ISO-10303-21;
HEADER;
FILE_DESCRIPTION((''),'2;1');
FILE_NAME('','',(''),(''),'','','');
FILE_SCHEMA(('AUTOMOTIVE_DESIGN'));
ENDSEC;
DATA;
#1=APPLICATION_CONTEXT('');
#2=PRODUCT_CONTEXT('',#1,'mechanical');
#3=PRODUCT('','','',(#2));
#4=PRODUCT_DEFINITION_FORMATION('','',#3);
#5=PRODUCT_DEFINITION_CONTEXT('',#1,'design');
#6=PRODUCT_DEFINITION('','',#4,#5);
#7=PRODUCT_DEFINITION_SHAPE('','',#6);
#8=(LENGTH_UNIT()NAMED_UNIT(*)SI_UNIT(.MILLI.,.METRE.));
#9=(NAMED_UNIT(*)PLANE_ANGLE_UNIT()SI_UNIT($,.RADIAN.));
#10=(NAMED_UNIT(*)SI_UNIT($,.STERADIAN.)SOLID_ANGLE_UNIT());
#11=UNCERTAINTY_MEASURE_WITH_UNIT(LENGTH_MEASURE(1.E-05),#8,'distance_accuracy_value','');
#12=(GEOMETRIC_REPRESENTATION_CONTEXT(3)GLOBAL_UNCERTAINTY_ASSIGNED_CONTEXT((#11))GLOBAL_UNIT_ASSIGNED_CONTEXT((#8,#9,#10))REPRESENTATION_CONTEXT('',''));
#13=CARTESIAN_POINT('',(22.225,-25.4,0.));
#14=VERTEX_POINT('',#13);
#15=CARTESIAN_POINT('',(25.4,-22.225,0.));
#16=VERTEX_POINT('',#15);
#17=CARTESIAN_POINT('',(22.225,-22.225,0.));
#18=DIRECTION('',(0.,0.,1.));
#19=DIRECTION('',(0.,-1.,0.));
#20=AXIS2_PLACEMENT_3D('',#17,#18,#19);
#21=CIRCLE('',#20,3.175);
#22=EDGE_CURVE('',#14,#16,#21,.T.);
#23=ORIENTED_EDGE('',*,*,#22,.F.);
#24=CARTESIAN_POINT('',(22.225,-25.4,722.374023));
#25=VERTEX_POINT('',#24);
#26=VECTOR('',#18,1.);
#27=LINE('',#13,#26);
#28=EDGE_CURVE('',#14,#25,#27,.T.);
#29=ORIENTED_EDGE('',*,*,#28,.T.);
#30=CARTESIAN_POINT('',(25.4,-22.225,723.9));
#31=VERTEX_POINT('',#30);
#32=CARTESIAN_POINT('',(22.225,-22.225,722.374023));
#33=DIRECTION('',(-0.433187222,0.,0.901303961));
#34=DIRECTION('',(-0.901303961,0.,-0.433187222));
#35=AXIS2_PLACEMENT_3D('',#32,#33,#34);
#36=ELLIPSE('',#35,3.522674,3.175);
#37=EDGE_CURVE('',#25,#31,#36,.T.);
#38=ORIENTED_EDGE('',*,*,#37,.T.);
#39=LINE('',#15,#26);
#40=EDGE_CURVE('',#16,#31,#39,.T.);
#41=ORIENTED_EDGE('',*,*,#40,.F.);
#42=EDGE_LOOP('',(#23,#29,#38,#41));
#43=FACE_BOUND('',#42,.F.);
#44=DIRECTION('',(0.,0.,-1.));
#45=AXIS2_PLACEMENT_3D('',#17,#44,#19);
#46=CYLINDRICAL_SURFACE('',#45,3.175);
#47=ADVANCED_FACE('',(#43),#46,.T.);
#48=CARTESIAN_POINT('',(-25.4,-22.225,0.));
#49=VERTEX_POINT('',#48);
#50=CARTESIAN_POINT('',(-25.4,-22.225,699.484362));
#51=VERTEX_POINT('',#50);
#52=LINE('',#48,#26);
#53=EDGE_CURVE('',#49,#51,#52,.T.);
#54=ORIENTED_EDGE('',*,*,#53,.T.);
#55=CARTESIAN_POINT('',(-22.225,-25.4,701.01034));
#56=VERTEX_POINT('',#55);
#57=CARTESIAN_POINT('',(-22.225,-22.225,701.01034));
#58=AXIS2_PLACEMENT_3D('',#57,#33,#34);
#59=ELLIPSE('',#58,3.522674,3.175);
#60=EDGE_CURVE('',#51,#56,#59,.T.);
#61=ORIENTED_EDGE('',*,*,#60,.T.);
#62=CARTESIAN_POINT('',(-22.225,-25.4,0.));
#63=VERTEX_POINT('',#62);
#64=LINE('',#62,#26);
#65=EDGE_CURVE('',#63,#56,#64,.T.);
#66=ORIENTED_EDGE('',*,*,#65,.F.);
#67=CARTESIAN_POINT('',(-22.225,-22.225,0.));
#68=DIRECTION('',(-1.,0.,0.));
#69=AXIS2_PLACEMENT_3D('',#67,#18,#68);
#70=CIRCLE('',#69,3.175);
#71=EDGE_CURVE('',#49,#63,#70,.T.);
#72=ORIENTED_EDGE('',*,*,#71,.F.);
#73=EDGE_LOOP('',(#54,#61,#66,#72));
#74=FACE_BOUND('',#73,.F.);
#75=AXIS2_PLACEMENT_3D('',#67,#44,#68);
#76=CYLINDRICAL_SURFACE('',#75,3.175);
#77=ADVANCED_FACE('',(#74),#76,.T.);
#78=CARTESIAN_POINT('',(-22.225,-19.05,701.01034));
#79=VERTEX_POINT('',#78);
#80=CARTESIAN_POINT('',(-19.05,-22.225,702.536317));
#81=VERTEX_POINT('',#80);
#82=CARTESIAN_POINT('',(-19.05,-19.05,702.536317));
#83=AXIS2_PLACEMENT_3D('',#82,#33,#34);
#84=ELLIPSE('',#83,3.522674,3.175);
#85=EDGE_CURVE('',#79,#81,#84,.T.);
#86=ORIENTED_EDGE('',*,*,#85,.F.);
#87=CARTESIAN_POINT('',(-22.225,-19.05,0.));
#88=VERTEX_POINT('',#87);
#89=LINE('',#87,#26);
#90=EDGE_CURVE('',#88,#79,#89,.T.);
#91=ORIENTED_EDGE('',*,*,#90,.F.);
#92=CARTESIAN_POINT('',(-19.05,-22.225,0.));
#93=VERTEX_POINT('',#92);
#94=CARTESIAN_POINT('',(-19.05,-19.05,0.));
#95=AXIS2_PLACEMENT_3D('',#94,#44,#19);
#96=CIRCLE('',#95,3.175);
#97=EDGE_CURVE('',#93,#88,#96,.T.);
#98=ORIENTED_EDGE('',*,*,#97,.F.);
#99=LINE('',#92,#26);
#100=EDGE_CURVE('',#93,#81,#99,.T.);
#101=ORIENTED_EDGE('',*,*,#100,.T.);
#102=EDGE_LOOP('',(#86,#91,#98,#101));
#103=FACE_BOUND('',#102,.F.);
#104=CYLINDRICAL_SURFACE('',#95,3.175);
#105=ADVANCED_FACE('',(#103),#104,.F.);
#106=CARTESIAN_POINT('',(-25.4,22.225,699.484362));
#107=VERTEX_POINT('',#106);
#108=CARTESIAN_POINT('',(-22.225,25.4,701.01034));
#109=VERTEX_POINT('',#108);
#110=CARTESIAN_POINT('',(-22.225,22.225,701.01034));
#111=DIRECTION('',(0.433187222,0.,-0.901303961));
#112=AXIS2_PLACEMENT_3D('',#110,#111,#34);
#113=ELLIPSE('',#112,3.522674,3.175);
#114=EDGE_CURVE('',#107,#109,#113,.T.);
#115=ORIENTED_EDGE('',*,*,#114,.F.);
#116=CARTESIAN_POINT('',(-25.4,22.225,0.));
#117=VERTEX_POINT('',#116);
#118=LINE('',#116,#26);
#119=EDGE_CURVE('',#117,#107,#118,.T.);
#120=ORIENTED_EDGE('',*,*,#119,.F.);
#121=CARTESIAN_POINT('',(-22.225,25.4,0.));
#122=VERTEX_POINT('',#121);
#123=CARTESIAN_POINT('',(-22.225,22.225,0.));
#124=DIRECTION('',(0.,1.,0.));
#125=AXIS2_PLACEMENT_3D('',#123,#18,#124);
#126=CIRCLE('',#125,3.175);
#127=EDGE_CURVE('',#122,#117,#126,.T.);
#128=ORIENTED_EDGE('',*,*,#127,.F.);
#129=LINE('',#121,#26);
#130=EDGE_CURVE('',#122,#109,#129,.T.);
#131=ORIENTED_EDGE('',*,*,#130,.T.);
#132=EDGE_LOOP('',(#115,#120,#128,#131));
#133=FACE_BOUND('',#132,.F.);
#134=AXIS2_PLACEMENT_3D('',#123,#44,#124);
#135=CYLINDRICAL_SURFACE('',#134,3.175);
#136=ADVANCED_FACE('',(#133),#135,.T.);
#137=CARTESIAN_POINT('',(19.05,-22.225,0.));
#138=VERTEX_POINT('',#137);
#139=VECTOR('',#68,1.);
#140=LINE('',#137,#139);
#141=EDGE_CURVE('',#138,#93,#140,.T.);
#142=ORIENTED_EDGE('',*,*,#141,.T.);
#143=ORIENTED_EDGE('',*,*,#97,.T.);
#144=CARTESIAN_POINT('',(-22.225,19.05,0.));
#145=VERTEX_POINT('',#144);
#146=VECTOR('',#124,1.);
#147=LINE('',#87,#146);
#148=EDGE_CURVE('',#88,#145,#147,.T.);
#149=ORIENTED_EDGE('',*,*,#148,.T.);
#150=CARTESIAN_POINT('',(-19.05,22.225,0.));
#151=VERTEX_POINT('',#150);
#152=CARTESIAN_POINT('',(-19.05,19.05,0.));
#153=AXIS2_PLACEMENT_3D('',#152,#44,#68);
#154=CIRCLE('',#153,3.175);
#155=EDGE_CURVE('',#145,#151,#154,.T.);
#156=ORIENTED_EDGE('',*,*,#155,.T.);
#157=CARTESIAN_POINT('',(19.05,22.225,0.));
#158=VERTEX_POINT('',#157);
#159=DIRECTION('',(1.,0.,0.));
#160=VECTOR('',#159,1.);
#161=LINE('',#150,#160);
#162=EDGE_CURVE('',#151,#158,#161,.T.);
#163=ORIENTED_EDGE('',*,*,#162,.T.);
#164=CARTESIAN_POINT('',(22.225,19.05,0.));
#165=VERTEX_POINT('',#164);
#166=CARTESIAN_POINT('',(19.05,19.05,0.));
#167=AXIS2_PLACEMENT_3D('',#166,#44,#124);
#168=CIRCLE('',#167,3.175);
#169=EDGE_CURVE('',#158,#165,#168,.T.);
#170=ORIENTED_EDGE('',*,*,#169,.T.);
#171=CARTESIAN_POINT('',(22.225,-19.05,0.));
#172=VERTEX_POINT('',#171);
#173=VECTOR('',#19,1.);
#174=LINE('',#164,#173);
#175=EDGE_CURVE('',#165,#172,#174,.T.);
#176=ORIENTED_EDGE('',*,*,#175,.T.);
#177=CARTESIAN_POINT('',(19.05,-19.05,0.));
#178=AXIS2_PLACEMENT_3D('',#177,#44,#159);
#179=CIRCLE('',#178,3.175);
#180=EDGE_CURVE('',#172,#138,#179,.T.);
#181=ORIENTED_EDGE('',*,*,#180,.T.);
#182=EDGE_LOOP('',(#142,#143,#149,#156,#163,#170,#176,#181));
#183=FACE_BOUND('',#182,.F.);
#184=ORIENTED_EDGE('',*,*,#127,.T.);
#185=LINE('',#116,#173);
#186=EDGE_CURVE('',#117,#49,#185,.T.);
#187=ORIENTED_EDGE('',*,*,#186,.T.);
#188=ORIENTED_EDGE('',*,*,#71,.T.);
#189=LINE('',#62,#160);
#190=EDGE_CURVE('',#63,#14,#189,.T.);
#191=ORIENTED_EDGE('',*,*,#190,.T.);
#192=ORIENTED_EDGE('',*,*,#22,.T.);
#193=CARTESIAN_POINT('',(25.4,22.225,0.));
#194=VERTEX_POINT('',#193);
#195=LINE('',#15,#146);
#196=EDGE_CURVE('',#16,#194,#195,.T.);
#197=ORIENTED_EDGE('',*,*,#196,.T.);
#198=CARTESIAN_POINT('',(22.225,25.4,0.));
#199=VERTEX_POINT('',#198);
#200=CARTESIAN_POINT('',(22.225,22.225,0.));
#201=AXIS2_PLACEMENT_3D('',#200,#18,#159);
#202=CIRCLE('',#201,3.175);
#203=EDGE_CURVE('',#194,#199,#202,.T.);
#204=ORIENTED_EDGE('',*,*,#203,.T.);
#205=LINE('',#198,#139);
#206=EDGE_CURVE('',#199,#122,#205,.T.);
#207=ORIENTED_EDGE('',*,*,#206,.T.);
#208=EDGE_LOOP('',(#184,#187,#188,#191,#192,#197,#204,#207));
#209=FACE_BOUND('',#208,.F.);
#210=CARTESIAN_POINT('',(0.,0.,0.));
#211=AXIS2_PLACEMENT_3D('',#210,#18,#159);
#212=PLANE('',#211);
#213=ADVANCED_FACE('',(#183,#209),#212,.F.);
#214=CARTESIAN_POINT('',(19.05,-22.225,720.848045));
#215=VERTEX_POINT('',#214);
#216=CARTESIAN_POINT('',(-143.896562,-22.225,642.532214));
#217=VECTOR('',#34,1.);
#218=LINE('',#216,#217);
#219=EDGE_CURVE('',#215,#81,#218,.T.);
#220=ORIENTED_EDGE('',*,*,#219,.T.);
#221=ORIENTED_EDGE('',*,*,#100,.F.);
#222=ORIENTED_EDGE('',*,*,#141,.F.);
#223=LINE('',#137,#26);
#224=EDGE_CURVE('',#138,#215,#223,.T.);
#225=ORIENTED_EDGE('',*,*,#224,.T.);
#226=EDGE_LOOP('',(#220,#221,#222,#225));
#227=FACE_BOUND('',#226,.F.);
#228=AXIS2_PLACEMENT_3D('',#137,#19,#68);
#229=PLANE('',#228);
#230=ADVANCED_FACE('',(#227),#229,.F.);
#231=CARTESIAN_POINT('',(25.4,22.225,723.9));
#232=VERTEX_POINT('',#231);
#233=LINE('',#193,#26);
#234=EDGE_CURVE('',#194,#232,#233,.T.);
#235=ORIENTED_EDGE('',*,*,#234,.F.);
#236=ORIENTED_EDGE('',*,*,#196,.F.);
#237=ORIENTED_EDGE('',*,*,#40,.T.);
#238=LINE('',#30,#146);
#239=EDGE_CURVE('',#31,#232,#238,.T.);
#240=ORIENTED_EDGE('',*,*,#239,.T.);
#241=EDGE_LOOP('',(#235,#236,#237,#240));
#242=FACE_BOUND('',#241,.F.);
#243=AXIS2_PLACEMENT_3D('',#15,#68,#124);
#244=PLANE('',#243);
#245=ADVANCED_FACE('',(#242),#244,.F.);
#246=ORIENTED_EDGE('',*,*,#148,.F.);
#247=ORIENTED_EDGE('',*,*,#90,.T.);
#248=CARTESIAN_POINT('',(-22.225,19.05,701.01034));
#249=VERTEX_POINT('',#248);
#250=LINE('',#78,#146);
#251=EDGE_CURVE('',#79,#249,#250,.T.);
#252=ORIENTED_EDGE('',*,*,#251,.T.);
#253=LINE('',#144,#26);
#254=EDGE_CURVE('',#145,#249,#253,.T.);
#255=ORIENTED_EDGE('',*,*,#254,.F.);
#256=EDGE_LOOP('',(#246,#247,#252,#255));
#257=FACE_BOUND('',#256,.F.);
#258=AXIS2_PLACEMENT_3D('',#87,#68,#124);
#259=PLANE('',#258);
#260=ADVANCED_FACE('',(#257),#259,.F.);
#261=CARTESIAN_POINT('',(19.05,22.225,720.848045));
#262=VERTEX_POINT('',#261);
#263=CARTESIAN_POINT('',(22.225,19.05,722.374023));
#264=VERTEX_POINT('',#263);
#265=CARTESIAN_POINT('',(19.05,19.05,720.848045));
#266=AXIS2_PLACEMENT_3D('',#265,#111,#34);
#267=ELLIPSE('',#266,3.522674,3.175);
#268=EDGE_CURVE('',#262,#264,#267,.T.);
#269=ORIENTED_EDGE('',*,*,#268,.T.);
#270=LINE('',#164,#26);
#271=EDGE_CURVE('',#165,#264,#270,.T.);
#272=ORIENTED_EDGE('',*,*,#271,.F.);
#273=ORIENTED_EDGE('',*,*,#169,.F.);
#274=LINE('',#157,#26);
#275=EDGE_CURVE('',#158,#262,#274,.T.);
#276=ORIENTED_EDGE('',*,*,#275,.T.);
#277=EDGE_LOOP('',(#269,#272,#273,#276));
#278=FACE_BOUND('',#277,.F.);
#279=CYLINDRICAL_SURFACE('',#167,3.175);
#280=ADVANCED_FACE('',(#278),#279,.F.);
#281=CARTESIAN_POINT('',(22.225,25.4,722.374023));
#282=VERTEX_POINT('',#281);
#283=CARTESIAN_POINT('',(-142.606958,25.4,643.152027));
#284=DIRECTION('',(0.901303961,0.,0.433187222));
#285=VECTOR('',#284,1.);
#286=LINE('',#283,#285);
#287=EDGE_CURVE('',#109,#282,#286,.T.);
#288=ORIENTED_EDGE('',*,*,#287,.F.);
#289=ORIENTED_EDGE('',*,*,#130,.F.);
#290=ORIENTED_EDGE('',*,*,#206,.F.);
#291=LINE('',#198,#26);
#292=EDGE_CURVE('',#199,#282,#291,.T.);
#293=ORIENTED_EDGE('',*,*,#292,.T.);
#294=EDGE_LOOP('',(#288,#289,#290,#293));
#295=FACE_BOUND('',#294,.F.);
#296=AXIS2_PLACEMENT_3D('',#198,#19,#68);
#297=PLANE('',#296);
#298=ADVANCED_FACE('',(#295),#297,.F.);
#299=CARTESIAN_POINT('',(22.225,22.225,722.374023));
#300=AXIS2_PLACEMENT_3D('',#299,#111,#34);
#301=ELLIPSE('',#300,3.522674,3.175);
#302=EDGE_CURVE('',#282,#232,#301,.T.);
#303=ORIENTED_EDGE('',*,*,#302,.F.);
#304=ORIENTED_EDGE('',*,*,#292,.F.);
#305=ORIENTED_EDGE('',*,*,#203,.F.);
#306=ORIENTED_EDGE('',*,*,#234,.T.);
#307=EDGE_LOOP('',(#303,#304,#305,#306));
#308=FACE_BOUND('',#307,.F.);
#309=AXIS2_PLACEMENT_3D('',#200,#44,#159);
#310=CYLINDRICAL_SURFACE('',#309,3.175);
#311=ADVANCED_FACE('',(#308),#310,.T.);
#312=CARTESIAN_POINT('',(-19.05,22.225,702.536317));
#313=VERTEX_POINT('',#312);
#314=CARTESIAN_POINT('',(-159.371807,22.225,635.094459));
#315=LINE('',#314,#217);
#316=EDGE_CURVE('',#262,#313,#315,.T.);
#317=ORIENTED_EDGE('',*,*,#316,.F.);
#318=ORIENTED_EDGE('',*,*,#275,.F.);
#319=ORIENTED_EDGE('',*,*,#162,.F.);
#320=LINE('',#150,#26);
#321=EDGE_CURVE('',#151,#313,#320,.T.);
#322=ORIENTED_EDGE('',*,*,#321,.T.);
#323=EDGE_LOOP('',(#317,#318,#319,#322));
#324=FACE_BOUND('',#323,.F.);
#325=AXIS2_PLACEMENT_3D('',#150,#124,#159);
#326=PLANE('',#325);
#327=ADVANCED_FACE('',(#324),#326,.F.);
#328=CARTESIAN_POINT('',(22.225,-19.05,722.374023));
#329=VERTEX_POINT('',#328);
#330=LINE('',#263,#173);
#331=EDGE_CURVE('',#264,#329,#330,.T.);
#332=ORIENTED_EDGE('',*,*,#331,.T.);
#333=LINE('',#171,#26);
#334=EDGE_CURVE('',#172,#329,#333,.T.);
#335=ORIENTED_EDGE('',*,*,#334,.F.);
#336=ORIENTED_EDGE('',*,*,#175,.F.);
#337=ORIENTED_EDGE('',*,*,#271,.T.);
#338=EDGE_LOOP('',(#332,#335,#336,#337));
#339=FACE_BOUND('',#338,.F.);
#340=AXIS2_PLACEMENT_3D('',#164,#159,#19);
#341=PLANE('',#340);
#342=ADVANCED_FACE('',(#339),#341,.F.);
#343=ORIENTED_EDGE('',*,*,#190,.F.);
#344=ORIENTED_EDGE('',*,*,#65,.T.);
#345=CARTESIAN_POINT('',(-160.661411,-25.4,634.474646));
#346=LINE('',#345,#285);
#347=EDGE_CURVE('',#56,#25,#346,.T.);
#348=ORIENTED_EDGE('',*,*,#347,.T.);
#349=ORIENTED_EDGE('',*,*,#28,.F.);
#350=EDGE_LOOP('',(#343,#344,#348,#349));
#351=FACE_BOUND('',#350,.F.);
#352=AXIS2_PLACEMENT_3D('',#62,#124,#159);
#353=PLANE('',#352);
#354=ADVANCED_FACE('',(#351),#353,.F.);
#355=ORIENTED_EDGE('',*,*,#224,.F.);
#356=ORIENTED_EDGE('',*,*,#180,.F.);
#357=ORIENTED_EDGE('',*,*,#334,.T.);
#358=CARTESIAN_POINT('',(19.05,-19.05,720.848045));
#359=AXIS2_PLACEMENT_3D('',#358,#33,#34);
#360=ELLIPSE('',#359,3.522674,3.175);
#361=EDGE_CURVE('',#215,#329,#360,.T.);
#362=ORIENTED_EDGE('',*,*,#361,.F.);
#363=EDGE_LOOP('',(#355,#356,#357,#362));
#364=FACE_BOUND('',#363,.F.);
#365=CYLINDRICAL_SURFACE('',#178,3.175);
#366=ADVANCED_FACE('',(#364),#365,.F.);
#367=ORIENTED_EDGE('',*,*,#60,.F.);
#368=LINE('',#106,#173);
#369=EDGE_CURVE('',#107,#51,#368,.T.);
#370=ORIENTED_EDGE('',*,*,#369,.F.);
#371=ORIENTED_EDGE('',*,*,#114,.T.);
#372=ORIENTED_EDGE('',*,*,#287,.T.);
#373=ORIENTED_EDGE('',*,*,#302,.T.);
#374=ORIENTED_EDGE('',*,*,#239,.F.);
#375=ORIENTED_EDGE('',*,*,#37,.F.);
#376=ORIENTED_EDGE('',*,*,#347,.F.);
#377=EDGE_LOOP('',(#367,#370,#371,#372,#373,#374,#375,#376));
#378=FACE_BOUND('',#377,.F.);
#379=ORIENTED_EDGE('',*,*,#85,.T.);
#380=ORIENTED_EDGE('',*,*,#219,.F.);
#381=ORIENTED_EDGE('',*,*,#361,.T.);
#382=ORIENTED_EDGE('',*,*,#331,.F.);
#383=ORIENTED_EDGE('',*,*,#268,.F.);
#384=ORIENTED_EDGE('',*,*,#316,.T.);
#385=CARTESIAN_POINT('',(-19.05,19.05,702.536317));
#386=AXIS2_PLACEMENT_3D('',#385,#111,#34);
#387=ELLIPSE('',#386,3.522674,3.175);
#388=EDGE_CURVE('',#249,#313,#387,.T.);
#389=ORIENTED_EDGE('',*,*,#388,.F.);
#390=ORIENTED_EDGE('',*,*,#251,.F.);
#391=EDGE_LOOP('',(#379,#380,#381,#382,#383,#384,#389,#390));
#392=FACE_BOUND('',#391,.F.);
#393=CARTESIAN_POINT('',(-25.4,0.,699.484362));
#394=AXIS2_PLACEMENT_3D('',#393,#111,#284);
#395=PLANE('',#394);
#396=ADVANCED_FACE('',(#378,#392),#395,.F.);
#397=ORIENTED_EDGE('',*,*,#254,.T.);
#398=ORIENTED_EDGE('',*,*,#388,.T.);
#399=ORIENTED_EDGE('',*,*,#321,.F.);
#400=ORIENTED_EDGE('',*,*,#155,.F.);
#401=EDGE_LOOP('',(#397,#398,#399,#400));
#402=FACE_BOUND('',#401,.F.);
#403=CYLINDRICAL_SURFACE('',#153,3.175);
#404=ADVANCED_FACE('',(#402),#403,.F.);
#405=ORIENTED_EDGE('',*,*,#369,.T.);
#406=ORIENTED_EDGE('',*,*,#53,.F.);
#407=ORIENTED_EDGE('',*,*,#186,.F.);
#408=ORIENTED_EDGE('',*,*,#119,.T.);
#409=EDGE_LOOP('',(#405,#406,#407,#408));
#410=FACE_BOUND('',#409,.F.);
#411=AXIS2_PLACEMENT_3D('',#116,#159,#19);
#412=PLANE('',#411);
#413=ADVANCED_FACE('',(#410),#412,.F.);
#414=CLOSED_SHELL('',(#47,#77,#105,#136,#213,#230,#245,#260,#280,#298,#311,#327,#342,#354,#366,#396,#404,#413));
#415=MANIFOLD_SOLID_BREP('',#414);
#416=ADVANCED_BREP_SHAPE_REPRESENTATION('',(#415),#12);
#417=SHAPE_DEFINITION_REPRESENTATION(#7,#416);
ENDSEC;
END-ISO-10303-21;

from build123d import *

# Parameters (mm, degrees)
F1_DEPTH      = 723.9
F3_DEPTH      = 50.8
F3_DEPTH_BACK = 50.8


with BuildPart() as f1:
    # F0 (on Top) → F1 (new body)
    with BuildSketch(Plane.XY):
        with BuildLine():
            ThreePointArc((25.4, 22.225), (24.4700640303, 24.4700640303), (22.225, 25.4))
            Line((22.225, 25.4), (-22.225, 25.4))
            ThreePointArc((-22.225, 25.4), (-24.4700640303, 24.4700640303), (-25.4, 22.225))
            Line((-25.4, 22.225), (-25.4, -22.225))
            ThreePointArc((-25.4, -22.225), (-24.4700640303, -24.4700640303), (-22.225, -25.4))
            Line((-22.225, -25.4), (22.225, -25.4))
            ThreePointArc((22.225, -25.4), (24.4700640303, -24.4700640303), (25.4, -22.225))
            Line((25.4, -22.225), (25.4, 22.225))
        make_face()
        with BuildLine():
            Line((-19.05, 22.225), (19.05, 22.225))
            ThreePointArc((19.05, 22.225), (21.2950640303, 21.2950640303), (22.225, 19.05))
            Line((22.225, 19.05), (22.225, -19.05))
            ThreePointArc((22.225, -19.05), (21.2950640303, -21.2950640303), (19.05, -22.225))
            Line((19.05, -22.225), (-19.05, -22.225))
            ThreePointArc((-19.05, -22.225), (-21.2950640303, -21.2950640303), (-22.225, -19.05))
            Line((-22.225, -19.05), (-22.225, 19.05))
            ThreePointArc((-22.225, 19.05), (-21.2950640303, 21.2950640303), (-19.05, 22.225))
        make_face(mode=Mode.SUBTRACT)
    extrude(amount=F1_DEPTH)

    # F2 (on Front) → F3 (cut, two sides)
    with BuildSketch(Plane.XZ) as f3_sk:
        Polygon((-25.4, 699.484362387), (25.4, 723.9), (-25.4, 723.9), align=None)
    extrude(amount=-F3_DEPTH, mode=Mode.SUBTRACT)
    extrude(f3_sk.sketch, amount=F3_DEPTH_BACK, mode=Mode.SUBTRACT)


solid = f1.part
